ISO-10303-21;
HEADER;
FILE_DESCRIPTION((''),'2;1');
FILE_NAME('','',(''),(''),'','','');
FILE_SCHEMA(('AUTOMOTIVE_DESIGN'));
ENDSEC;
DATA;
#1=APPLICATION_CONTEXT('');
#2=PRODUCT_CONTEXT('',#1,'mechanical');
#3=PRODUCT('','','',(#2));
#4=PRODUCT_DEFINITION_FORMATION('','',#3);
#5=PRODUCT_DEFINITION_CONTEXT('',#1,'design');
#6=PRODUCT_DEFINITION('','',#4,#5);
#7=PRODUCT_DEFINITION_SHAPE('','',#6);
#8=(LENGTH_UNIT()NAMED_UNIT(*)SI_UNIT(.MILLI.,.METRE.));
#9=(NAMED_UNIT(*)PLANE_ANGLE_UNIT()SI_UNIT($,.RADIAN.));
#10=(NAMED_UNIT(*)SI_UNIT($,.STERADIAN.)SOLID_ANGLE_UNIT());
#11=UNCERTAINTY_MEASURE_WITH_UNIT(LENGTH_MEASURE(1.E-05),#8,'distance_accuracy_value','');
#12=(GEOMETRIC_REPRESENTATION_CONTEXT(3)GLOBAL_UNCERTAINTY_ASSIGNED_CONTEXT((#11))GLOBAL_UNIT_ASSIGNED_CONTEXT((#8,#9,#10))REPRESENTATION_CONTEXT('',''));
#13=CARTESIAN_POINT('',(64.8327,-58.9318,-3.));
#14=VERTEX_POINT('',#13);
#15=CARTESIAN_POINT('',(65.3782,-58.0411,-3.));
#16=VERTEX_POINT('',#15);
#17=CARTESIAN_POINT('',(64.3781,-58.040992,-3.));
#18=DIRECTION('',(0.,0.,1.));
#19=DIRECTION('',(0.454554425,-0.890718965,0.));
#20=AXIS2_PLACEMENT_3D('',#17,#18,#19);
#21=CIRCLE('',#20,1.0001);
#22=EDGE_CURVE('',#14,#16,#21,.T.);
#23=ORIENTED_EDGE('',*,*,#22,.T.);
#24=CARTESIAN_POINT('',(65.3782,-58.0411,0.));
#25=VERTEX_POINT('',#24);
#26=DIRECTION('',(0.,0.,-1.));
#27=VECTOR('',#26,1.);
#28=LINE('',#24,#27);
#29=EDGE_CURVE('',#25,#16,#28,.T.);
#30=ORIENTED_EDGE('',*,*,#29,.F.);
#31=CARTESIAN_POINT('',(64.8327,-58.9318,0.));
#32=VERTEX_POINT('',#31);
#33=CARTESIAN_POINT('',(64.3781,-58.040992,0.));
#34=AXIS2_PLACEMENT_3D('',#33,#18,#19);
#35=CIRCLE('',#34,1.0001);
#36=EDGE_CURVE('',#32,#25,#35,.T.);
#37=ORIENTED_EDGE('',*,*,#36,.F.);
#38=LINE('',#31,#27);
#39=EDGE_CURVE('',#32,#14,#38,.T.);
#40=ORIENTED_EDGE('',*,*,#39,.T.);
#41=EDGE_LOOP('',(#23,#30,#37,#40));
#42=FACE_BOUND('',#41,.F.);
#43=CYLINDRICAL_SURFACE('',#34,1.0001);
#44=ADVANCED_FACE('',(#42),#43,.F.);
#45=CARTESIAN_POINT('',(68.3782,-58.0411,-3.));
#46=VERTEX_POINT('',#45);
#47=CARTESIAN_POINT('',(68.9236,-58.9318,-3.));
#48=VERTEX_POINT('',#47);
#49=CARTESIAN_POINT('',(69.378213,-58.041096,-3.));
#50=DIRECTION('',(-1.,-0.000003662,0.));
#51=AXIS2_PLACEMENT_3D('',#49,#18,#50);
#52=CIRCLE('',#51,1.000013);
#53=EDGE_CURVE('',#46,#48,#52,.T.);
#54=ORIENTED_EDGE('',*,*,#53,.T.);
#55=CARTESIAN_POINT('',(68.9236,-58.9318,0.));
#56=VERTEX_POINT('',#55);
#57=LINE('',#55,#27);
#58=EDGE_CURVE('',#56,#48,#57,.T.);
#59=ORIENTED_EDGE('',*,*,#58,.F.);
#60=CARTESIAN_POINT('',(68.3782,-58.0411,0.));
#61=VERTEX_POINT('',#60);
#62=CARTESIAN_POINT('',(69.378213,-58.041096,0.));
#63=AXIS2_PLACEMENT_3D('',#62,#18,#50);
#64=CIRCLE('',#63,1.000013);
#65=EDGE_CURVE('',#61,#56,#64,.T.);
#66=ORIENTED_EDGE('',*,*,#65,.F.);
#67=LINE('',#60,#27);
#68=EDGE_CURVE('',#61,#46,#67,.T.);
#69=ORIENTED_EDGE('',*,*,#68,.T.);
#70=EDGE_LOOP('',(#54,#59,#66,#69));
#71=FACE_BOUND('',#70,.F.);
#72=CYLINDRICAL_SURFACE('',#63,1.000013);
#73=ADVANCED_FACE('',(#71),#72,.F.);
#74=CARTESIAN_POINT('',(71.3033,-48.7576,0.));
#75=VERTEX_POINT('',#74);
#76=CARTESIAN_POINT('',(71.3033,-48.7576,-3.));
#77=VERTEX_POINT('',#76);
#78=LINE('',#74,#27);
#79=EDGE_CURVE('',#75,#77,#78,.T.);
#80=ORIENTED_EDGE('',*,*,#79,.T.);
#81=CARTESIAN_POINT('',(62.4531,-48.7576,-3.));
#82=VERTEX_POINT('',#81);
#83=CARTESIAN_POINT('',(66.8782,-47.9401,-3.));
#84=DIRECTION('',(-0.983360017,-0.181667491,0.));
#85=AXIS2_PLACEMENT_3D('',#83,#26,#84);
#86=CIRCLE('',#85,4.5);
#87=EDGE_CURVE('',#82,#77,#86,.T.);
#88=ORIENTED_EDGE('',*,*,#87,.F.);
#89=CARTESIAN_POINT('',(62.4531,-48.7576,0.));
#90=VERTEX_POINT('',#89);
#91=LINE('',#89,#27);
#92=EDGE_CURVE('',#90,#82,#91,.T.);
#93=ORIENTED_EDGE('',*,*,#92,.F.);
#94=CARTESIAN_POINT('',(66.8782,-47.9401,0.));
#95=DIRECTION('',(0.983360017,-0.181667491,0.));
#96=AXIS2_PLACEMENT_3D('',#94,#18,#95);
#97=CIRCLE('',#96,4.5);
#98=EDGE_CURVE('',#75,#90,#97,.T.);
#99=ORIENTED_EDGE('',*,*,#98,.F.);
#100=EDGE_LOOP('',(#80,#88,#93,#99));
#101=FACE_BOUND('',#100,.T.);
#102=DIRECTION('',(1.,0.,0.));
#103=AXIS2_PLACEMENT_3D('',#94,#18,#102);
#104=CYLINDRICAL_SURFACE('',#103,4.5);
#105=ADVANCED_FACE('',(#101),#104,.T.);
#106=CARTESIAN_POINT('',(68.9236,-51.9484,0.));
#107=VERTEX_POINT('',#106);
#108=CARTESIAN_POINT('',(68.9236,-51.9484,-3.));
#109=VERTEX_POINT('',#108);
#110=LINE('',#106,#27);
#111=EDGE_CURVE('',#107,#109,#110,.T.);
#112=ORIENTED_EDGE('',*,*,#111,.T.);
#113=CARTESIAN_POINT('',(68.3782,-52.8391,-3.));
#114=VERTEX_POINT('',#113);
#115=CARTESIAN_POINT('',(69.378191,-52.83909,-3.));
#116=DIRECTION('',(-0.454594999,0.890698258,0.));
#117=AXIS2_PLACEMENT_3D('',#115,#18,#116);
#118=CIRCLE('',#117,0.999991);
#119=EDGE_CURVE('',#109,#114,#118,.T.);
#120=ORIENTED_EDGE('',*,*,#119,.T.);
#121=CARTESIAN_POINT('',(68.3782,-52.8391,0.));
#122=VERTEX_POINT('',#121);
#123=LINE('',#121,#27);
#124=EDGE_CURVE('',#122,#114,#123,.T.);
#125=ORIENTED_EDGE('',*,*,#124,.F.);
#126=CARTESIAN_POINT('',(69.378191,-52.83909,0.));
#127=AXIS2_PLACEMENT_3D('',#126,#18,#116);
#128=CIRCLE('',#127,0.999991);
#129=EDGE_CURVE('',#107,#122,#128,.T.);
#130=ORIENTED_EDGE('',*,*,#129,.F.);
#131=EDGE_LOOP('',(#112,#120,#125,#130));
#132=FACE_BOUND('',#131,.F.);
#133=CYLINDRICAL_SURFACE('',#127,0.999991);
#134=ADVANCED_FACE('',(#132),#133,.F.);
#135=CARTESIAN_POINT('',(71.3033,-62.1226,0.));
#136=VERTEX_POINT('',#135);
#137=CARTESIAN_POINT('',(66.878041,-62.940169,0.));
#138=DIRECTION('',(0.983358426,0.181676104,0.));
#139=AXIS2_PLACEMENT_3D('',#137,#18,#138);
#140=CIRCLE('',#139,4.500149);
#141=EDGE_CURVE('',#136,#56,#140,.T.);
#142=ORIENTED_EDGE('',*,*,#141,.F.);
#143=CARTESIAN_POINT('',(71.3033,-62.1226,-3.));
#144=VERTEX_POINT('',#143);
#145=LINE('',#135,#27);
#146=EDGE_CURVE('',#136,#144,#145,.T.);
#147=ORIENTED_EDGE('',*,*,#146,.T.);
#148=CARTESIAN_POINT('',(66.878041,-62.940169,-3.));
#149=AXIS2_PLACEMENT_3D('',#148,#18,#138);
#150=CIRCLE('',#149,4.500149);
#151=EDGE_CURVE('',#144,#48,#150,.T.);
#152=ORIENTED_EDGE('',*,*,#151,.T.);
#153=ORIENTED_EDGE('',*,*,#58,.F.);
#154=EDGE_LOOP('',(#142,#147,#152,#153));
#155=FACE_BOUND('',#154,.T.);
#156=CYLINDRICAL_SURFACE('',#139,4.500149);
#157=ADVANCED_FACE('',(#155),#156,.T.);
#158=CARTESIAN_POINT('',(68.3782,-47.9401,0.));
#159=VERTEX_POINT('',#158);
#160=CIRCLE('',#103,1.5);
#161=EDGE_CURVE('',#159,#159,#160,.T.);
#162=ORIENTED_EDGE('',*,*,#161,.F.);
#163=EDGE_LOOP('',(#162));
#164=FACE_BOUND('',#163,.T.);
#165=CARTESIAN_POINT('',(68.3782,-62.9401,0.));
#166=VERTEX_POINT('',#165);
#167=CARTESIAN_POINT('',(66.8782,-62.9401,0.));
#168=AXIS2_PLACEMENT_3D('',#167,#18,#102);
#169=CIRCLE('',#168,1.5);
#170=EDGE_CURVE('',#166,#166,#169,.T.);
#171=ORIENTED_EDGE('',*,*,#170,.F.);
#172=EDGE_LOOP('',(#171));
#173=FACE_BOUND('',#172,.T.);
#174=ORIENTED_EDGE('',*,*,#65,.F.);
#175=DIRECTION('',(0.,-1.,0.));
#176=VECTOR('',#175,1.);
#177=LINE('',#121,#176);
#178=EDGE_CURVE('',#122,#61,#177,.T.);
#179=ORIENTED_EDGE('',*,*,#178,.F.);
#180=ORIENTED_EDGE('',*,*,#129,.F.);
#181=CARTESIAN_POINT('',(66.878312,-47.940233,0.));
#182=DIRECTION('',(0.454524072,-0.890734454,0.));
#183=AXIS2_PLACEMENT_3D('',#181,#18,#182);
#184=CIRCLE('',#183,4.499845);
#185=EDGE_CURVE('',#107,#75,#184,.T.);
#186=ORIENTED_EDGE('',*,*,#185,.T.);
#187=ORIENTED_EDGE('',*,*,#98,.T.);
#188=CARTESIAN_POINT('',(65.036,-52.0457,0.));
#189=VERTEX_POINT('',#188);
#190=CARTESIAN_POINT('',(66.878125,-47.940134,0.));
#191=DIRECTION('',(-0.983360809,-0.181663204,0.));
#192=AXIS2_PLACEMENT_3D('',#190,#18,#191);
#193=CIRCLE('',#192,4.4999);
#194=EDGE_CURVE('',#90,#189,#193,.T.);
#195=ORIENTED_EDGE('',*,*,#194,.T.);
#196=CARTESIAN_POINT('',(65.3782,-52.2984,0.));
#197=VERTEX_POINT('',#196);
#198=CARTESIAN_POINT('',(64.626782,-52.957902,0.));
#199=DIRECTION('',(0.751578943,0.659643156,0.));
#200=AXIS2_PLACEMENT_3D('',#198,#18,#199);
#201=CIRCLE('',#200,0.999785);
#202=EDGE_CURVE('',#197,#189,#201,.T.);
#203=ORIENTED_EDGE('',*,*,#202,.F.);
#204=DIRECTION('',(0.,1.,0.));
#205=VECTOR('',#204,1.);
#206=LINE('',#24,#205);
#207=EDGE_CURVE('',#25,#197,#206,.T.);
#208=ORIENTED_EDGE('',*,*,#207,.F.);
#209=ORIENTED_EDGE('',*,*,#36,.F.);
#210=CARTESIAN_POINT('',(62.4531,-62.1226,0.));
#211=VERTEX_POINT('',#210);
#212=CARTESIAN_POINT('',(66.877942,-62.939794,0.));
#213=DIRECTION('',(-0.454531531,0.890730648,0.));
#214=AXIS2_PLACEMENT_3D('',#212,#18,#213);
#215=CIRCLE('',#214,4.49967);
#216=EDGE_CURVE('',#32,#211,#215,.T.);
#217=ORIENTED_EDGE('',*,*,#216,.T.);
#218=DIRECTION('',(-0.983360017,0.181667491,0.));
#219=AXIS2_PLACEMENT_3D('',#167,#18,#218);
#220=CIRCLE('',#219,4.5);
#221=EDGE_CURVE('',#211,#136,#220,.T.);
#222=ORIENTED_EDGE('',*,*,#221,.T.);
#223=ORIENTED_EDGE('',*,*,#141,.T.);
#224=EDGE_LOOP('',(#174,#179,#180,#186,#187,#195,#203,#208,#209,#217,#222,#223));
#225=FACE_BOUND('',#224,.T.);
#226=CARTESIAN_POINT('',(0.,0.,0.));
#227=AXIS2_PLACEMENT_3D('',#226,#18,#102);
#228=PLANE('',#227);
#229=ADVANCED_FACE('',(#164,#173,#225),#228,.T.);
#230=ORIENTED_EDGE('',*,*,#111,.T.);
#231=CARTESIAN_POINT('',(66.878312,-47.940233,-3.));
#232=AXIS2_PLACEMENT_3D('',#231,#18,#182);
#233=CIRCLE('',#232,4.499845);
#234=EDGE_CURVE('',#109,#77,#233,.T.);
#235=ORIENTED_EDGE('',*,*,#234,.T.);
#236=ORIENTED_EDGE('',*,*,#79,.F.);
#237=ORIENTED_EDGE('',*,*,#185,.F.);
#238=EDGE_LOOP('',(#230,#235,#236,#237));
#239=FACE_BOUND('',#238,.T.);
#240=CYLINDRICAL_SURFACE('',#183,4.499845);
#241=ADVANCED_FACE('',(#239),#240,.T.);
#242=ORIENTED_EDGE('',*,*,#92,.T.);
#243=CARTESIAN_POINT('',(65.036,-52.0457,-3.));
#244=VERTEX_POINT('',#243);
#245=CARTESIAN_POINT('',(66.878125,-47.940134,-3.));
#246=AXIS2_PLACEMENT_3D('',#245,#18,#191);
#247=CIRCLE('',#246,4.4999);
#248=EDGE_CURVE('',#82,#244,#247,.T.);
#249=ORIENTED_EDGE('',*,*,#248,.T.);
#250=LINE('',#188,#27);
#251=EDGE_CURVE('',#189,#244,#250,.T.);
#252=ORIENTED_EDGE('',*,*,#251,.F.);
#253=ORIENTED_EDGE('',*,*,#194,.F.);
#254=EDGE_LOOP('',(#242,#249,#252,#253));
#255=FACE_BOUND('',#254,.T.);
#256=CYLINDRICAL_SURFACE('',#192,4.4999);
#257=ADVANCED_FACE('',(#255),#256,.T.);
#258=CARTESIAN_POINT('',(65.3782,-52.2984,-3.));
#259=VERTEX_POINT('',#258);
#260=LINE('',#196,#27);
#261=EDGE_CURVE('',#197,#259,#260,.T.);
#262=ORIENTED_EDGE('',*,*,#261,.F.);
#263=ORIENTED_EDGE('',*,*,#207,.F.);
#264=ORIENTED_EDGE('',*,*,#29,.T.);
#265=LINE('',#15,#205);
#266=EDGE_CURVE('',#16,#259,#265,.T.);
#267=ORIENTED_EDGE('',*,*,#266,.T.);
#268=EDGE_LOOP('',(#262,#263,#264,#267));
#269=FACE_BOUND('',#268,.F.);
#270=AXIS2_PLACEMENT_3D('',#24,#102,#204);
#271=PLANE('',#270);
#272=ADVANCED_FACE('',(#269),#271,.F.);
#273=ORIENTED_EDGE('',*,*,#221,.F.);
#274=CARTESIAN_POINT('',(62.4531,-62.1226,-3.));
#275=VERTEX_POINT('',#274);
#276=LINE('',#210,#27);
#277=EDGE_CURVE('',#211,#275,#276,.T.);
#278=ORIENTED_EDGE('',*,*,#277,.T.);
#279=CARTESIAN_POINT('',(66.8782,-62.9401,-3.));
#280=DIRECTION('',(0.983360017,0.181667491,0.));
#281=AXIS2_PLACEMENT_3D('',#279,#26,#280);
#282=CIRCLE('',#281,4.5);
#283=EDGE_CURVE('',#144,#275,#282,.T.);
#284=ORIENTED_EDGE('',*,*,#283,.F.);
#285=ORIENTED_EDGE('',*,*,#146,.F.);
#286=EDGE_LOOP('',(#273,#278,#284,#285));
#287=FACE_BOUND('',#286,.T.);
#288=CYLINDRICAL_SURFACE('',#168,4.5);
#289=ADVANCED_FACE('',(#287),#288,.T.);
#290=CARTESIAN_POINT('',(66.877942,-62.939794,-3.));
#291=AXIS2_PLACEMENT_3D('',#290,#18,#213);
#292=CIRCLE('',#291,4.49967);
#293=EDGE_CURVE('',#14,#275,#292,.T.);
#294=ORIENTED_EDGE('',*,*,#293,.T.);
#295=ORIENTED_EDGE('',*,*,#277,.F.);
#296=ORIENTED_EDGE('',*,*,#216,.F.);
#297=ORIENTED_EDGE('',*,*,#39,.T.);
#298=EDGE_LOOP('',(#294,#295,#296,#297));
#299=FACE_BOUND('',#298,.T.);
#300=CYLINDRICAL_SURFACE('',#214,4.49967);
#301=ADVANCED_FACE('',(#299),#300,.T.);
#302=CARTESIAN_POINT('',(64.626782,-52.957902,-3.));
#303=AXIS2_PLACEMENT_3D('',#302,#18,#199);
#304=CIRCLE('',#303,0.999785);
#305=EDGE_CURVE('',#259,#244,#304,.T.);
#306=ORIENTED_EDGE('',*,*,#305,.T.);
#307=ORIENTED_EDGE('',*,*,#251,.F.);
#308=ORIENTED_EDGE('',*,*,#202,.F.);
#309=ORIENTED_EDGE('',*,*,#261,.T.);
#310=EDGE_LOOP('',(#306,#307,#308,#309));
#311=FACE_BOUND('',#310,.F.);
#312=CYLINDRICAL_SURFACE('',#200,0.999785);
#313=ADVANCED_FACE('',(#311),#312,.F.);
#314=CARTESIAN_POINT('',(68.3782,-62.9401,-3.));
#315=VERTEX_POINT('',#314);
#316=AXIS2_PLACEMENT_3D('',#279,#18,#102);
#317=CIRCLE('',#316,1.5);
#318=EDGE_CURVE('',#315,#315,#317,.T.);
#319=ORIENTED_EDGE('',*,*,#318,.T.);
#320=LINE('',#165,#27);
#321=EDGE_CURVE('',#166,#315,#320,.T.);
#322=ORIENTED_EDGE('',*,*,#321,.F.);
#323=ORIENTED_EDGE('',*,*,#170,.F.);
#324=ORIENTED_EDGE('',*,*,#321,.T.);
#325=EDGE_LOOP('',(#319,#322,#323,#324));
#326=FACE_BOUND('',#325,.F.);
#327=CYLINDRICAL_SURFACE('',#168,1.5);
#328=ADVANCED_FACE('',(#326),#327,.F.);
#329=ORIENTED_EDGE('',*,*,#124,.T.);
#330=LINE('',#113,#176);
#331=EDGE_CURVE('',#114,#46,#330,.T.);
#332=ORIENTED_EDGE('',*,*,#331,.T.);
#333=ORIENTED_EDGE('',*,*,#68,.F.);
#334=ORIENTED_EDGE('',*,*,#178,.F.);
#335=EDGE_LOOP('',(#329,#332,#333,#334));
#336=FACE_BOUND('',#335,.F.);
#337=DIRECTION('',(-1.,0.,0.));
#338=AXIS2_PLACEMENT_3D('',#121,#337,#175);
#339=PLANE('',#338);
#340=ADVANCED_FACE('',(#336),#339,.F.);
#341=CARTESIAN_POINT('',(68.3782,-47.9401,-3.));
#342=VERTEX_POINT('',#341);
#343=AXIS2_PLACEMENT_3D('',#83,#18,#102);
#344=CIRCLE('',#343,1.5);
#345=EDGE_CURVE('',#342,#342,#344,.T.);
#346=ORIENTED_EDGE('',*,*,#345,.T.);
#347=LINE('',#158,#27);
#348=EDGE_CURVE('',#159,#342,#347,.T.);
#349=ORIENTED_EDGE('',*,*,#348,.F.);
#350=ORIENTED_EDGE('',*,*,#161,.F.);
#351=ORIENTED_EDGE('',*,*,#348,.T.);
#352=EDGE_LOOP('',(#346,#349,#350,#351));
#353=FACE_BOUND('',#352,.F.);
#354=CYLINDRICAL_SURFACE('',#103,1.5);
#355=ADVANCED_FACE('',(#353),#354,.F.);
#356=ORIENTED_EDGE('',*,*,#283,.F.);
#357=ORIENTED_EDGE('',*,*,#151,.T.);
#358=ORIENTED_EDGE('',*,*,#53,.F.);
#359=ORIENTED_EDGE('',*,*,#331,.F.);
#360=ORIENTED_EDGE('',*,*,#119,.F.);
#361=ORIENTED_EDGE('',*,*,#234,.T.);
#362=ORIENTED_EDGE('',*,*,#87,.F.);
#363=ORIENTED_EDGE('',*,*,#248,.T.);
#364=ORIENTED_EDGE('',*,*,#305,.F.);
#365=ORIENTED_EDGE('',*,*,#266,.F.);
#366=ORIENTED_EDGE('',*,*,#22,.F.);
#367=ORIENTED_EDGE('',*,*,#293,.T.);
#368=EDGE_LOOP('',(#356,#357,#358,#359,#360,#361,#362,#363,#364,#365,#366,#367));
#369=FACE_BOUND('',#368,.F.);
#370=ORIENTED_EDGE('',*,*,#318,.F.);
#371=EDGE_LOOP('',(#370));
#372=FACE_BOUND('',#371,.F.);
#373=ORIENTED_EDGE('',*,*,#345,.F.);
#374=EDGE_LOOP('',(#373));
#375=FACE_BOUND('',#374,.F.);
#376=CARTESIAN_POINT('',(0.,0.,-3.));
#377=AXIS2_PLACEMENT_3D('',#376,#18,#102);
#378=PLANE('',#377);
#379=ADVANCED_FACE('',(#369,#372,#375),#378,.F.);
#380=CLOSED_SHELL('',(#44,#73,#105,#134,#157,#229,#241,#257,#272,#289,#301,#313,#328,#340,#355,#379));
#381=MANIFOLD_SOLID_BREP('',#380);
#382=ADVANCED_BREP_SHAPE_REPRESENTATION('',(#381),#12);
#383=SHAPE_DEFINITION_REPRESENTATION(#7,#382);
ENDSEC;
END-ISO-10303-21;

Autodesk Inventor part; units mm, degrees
ref_plane "YZ Plane" through (0, 0, 0) normal (1, 0, 0) x (0, 1, 0)
ref_plane "XZ Plane" through (0, 0, 0) normal (0, 1, 0) x (-1, 0, 0)
ref_plane "XY Plane" through (0, 0, 0) normal (0, 0, 1) x (1, 0, 0)
sketch "スケッチ1" plane through (0, 0, 0) normal (0, 0, 1) x (1, 0, 0)
  arc A0 (68.3782, -58.0411) -> (68.9236, -58.9318) centre (69.3782, -58.0411) ccw
  arc A1 (71.3033, -62.1226) -> (68.9236, -58.9318) centre (66.8782, -62.9401) ccw
  arc A2 (71.3033, -62.1226) -> (72.305, -62.9408) centre (72.2867, -61.9409) ccw
  arc A3 (72.3782, -62.9401) -> (72.305, -62.9408) centre (72.3782, -66.9401) ccw
  arc A4 (72.3782, -62.9401) -> (73.3782, -61.9401) centre (72.3782, -61.9401) ccw
  line L0 (73.3782, -61.9401) -> (73.3782, -48.9401)
  arc A5 (73.3782, -48.9401) -> (72.3782, -47.9401) centre (72.3782, -48.9401) ccw
  arc A6 (72.305, -47.9394) -> (72.3782, -47.9401) centre (72.3782, -43.9401) ccw
  arc A7 (72.305, -47.9394) -> (71.3033, -48.7576) centre (72.2867, -48.9393) ccw
  arc A8 (68.9236, -51.9484) -> (71.3033, -48.7576) centre (66.8782, -47.9401) ccw
  arc A9 (68.9236, -51.9484) -> (68.3782, -52.8391) centre (69.3782, -52.8391) ccw
  line L1 (68.3782, -52.8391) -> (68.3782, -58.0411)
  arc A10 (60.3782, -61.9401) -> (61.3782, -62.9401) centre (61.3782, -61.9401) ccw
  arc A11 (61.4514, -62.9408) -> (61.3782, -62.9401) centre (61.3782, -66.9401) ccw
  arc A12 (61.4514, -62.9408) -> (62.4531, -62.1226) centre (61.4697, -61.9409) ccw
  arc A13 (64.8327, -58.9318) -> (62.4531, -62.1226) centre (66.8782, -62.9401) ccw
  arc A14 (64.8327, -58.9318) -> (65.3782, -58.0411) centre (64.3782, -58.0411) ccw
  line L2 (65.3782, -58.0411) -> (65.3782, -52.2984)
  arc A15 (65.3782, -52.2984) -> (65.036, -52.0457) centre (64.6266, -52.9581) ccw
  arc A16 (62.4531, -48.7576) -> (65.036, -52.0457) centre (66.8782, -47.9401) ccw
  arc A17 (62.4531, -48.7576) -> (61.4514, -47.9394) centre (61.4697, -48.9393) ccw
  arc A18 (61.3782, -47.9401) -> (61.4514, -47.9394) centre (61.3782, -43.9401) ccw
  arc A19 (61.3782, -47.9401) -> (60.3782, -48.9401) centre (61.3782, -48.9401) ccw
  line L3 (60.3782, -48.9401) -> (60.3782, -61.9401)
  circle A20 centre (66.8782, -47.9401) radius 1.5
  circle A21 centre (66.8782, -62.9401) radius 1.5
  line L4 (71.3782, -69.9401) -> (62.3782, -69.9401)
  line L5 (62.3782, -69.9401) -> (62.3782, -66.9401)
  arc A22 (62.3782, -66.9401) -> (60.3782, -66.9401) centre (61.3782, -66.9401) ccw
  line L6 (60.3782, -66.9401) -> (57.3782, -66.9401)
  line L7 (57.3782, -66.9401) -> (57.3782, -43.9401)
  line L8 (57.3782, -43.9401) -> (60.3782, -43.9401)
  arc A23 (60.3782, -43.9401) -> (62.3782, -43.9401) centre (61.3782, -43.9401) ccw
  line L9 (62.3782, -43.9401) -> (62.3782, -40.9401)
  line L10 (62.3782, -40.9401) -> (71.3782, -40.9401)
  line L11 (71.3782, -40.9401) -> (71.3782, -43.9401)
  arc A24 (71.3782, -43.9401) -> (73.3782, -43.9401) centre (72.3782, -43.9401) ccw
  line L12 (73.3782, -43.9401) -> (76.3782, -43.9401)
  line L13 (76.3782, -43.9401) -> (76.3782, -66.9401)
  line L14 (76.3782, -66.9401) -> (73.3782, -66.9401)
  arc A25 (73.3782, -66.9401) -> (71.3782, -66.9401) centre (72.3782, -66.9401) ccw
  line L15 (71.3782, -66.9401) -> (71.3782, -69.9401)
  circle A26 centre (66.8782, -47.9401) radius 4.5
  circle A27 centre (66.8782, -62.9401) radius 4.5
  point P0 (0, 0)
  point P1 (0, 0)
  point P2 (62.4531, -48.7576)
  point P3 (62.4531, -62.1226)
extrude "押し出し1" add sketch "スケッチ1" against normal blind 3 contours A0 A27 A14 L2 A15 A26 A9 L1 | A1 A27 A13 | A26 A16 A8
properties part number "横wing 押さえ" material "ポリカーボネート、クリア"
